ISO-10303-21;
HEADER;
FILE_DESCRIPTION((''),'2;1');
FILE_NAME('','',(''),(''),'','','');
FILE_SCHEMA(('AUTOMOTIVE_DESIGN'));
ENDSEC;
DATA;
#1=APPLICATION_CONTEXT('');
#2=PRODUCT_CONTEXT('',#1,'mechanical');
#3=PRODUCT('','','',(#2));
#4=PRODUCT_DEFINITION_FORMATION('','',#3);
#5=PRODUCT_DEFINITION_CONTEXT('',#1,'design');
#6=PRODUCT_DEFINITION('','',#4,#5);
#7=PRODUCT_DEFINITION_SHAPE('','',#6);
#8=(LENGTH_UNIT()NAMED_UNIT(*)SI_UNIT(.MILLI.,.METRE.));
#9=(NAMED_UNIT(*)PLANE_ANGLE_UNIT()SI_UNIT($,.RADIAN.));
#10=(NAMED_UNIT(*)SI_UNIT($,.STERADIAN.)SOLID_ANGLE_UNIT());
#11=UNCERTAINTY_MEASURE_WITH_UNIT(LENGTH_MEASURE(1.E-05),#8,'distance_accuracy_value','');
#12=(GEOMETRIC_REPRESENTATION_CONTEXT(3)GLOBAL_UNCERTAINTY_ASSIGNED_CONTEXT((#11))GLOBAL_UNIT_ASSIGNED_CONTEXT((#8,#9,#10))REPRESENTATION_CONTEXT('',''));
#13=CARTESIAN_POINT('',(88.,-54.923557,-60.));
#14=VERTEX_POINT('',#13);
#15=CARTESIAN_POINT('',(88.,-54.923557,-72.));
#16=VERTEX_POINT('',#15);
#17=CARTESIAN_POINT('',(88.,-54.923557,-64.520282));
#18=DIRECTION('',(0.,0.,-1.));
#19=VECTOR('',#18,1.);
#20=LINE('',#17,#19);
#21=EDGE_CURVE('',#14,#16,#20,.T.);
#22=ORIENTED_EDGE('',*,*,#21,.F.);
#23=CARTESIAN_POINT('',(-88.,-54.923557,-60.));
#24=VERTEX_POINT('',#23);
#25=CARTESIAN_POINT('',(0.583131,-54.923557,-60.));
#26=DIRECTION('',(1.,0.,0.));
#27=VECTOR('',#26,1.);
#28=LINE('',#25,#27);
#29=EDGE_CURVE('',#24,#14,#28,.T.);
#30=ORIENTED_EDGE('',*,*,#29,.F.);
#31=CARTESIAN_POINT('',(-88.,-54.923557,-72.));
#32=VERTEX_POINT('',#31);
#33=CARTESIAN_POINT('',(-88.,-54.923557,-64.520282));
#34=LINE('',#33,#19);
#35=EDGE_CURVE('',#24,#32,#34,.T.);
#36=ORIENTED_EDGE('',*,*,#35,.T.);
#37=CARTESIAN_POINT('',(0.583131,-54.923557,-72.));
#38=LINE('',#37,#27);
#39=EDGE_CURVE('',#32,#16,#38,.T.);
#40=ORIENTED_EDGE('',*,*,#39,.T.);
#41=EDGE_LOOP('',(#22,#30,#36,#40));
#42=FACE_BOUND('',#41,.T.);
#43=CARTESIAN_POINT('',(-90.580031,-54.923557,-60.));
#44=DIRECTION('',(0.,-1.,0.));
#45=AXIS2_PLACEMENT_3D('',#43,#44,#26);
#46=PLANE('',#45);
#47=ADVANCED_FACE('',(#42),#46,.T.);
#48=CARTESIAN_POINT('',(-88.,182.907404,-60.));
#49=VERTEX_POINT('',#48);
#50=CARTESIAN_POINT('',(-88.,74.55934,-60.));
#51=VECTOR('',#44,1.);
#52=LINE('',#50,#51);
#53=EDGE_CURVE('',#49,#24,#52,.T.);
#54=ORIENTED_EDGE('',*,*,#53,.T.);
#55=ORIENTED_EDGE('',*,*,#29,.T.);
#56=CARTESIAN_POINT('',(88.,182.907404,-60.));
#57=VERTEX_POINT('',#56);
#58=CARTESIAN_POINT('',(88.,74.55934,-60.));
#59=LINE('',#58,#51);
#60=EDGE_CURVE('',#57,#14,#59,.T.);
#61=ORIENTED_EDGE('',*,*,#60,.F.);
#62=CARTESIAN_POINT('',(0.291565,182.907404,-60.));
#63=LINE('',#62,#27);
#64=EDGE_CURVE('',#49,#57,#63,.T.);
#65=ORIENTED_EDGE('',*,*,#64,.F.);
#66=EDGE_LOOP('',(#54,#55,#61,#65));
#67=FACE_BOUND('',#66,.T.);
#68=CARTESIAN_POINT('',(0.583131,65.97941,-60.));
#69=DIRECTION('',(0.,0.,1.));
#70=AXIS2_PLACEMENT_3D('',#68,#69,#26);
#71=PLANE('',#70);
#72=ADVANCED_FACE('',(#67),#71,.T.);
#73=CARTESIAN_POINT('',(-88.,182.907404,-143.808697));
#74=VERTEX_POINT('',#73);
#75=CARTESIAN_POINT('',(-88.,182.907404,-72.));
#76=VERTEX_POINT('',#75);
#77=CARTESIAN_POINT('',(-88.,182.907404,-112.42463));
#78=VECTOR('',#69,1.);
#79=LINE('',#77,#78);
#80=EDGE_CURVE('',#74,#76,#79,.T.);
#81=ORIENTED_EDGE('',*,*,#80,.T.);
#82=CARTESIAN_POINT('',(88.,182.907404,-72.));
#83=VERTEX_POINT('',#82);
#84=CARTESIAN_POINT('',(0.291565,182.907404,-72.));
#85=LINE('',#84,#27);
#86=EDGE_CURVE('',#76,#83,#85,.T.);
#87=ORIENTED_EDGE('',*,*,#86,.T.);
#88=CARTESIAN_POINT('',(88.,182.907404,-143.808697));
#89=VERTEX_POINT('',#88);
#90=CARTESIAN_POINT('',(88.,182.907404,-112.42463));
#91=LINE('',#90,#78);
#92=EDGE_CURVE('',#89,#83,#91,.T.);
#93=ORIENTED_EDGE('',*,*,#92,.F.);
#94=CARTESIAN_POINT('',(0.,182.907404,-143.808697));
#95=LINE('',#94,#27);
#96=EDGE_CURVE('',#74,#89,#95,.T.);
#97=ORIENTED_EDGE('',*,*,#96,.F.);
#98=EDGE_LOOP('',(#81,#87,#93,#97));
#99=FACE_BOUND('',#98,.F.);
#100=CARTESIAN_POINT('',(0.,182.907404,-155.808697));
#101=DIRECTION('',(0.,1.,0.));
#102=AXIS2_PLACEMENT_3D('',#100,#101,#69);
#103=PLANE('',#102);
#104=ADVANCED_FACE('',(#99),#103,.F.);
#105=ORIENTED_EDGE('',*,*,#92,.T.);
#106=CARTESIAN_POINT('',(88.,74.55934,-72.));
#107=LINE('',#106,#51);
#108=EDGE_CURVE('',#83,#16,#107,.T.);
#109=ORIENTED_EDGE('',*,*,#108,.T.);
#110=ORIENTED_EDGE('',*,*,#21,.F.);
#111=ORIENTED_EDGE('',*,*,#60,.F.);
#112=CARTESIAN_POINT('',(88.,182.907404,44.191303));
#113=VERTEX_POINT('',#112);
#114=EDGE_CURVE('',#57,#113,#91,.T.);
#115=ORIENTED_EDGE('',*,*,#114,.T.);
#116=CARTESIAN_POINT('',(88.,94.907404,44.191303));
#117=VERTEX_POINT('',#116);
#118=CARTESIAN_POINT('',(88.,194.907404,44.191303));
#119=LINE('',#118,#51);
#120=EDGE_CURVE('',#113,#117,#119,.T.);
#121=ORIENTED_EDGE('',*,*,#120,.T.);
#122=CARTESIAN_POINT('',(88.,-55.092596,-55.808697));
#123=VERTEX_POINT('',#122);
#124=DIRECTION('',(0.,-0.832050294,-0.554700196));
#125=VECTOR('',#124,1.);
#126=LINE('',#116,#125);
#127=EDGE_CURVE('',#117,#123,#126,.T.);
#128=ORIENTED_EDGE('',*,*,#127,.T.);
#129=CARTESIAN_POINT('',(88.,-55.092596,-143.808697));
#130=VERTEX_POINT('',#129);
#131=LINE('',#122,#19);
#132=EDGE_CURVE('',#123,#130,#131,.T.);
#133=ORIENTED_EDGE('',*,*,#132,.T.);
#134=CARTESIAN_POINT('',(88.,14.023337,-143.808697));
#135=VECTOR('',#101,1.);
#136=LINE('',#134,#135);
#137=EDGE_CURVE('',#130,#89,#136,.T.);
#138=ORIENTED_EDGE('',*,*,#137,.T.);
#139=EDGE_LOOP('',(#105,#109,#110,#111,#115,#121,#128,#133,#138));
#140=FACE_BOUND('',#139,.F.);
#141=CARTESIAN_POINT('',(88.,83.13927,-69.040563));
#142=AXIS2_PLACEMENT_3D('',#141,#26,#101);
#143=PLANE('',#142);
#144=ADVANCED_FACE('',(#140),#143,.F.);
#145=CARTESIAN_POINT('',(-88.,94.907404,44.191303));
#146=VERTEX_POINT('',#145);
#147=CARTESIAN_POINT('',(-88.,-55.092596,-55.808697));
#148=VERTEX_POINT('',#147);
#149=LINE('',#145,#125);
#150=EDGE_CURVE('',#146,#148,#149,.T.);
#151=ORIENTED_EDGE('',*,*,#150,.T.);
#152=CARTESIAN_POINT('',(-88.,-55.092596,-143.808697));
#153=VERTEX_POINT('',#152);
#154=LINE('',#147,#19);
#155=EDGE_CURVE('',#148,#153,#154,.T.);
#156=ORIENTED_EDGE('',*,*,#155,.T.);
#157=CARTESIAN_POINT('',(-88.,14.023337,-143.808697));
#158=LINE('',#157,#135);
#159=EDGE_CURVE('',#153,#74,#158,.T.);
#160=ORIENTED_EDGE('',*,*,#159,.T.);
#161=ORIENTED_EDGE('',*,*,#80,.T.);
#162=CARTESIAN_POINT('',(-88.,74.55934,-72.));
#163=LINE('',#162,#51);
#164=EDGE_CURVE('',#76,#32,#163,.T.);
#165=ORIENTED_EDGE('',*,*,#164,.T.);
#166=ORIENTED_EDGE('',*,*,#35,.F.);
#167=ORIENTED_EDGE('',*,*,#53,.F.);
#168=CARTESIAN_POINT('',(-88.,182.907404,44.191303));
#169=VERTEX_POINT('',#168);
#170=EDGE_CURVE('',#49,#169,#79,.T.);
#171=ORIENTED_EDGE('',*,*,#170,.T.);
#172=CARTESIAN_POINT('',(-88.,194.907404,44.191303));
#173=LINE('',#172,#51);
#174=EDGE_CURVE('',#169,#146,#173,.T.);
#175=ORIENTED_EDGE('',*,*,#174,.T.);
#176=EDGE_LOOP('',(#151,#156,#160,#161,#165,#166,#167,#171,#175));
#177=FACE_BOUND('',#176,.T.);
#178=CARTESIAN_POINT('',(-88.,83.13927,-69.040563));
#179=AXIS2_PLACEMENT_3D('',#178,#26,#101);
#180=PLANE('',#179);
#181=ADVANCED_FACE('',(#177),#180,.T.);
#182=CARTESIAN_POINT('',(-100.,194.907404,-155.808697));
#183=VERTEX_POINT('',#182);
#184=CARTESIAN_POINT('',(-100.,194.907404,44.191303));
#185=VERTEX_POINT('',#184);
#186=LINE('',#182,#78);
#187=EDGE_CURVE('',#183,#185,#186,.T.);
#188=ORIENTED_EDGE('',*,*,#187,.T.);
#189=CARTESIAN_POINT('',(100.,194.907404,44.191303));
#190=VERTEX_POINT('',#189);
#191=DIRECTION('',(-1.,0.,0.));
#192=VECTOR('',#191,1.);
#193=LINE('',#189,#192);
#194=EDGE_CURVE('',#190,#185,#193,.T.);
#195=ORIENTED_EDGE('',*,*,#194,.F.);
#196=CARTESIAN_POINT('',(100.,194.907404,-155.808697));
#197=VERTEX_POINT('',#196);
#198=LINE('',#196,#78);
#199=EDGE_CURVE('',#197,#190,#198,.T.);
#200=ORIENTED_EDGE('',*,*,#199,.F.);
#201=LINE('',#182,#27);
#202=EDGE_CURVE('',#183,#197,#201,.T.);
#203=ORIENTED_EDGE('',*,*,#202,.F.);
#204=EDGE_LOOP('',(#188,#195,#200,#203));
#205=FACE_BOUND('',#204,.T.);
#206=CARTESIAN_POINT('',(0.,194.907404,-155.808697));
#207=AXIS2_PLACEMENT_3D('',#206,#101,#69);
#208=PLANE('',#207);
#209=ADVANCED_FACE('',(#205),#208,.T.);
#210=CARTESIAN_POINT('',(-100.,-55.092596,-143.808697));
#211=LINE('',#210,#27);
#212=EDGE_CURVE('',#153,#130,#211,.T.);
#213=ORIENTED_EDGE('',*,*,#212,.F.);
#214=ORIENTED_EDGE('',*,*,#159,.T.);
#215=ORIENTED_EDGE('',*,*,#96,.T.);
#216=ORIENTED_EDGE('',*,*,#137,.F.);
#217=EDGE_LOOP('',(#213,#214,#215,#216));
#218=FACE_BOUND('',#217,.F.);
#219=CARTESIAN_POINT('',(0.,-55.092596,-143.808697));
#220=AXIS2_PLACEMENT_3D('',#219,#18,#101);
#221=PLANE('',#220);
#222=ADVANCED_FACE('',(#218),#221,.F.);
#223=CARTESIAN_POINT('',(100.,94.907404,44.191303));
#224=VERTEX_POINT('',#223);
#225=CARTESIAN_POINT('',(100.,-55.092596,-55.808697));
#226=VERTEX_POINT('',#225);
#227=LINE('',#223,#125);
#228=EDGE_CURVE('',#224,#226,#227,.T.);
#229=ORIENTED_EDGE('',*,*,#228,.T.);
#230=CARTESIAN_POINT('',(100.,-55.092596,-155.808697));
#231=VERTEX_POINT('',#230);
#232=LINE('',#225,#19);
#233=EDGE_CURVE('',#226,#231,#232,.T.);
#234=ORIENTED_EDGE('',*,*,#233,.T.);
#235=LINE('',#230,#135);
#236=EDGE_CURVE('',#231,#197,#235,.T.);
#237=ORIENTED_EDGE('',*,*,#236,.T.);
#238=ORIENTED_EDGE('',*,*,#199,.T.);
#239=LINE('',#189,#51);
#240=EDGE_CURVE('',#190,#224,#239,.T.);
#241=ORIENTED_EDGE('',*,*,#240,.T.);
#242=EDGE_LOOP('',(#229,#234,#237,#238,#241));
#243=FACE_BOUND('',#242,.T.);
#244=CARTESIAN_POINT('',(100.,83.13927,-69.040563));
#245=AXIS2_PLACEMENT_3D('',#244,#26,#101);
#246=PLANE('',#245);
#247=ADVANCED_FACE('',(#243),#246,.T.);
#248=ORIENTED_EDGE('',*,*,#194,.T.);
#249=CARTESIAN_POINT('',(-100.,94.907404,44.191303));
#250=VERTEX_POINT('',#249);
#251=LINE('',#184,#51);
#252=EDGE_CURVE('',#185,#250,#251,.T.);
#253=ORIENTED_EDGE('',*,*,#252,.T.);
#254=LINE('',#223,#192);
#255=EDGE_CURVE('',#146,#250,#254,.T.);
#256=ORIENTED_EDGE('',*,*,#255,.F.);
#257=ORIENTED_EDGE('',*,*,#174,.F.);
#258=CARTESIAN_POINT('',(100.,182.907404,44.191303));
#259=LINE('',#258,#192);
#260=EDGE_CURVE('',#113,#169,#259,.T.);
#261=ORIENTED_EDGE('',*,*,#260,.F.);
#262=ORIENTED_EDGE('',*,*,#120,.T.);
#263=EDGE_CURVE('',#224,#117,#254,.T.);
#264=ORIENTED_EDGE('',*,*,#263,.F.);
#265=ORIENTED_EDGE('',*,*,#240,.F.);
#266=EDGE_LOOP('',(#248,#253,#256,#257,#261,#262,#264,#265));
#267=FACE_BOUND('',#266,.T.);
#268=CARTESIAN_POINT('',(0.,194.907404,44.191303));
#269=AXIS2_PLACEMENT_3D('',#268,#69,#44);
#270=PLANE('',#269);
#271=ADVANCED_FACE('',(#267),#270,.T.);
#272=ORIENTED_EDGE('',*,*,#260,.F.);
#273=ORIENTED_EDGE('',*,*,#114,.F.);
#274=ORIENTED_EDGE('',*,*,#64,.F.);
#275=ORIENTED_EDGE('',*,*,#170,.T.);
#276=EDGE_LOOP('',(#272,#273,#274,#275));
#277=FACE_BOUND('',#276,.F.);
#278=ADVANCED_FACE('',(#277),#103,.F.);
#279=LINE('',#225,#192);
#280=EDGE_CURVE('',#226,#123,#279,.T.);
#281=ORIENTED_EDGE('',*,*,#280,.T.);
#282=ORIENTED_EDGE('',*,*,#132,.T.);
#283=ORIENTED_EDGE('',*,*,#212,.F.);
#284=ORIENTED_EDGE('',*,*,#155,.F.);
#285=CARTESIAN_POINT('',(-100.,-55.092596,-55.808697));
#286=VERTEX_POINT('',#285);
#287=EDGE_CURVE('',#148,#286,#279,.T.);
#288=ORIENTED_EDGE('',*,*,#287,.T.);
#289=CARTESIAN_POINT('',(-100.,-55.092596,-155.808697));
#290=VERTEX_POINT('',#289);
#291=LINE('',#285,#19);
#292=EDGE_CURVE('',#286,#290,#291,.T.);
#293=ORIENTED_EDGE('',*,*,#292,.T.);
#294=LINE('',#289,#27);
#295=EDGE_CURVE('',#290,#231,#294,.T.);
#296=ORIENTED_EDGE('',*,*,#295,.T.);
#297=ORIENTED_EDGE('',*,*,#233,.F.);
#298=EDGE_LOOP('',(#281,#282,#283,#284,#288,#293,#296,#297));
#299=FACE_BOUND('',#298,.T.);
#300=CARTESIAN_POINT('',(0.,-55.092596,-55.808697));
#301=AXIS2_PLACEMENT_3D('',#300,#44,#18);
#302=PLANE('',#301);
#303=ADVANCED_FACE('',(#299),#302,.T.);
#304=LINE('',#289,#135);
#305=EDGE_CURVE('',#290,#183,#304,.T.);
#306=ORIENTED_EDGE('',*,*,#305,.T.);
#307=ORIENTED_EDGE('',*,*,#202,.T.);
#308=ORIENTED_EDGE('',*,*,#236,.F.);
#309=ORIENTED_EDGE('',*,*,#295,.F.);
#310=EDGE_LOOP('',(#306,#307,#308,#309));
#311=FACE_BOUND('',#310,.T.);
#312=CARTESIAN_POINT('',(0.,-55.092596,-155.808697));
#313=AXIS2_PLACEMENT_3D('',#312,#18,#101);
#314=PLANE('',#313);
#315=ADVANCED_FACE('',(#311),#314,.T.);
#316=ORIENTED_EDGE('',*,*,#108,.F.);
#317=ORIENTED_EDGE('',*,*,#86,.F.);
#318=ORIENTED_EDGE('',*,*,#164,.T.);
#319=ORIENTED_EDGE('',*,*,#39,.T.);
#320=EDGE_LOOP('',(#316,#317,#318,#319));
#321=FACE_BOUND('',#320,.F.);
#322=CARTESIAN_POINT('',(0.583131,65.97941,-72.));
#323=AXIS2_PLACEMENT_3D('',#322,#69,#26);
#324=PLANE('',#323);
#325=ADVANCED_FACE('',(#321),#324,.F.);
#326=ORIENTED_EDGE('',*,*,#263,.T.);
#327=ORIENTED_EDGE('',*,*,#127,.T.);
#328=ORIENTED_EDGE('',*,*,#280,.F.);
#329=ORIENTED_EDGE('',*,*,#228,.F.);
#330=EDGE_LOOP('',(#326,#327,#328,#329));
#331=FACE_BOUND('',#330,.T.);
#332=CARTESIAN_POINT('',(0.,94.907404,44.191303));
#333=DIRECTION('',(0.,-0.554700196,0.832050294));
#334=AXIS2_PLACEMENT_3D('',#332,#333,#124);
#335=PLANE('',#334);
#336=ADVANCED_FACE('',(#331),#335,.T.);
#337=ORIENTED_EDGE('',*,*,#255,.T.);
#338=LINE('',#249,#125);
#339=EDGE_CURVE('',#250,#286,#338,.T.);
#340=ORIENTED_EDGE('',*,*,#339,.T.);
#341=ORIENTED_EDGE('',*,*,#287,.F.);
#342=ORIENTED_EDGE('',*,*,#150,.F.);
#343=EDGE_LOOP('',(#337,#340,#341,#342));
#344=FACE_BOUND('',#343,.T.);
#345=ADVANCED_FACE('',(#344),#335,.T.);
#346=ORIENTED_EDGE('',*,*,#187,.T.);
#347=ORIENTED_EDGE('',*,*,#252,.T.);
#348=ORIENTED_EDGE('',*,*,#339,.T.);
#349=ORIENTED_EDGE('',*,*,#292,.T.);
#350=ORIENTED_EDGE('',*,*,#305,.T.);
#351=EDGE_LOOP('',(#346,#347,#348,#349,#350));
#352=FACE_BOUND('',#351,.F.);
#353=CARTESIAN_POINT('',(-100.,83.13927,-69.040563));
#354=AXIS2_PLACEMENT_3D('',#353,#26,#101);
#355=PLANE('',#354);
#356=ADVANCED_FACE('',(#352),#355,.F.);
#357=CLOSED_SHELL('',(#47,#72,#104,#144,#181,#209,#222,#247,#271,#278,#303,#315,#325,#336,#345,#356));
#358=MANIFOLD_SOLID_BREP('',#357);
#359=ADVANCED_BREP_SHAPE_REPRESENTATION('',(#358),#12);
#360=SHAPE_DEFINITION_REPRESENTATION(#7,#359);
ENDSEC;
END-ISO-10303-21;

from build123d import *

# Parameters (mm, degrees)
F1_DEPTH = 100
F2_T     = -12
F4_W     = 182.326324
F4_H     = 241.805934
F5_DEPTH = 12


with BuildPart() as f1:
    # F0 (on Right) → F1 (new body, symmetric)
    with BuildSketch(Plane.YZ):
        Polygon((-55.092596, -55.808697), (-55.092596, -155.808697), (194.907404, -155.808697), (194.907404, 44.191303), (94.907404, 44.191303), align=None)
    extrude(amount=F1_DEPTH, both=True)

    # F2
    f2_openings = [f1.faces().sort_by_distance(p)[0] for p in [
        (0, 144.907404, 44.191303),
        (0, 19.907404, -5.808697),
        (0, -55.092596, -105.808697),
    ]]
    offset(amount=F2_T, openings=f2_openings)

    # F4 (on offset) → F5 (join)
    with BuildSketch(Plane.XY.offset(-60)):
        with Locations((0.583131, 65.97941)):
            Rectangle(F4_W, F4_H)
    extrude(amount=-F5_DEPTH)


solid = f1.part
